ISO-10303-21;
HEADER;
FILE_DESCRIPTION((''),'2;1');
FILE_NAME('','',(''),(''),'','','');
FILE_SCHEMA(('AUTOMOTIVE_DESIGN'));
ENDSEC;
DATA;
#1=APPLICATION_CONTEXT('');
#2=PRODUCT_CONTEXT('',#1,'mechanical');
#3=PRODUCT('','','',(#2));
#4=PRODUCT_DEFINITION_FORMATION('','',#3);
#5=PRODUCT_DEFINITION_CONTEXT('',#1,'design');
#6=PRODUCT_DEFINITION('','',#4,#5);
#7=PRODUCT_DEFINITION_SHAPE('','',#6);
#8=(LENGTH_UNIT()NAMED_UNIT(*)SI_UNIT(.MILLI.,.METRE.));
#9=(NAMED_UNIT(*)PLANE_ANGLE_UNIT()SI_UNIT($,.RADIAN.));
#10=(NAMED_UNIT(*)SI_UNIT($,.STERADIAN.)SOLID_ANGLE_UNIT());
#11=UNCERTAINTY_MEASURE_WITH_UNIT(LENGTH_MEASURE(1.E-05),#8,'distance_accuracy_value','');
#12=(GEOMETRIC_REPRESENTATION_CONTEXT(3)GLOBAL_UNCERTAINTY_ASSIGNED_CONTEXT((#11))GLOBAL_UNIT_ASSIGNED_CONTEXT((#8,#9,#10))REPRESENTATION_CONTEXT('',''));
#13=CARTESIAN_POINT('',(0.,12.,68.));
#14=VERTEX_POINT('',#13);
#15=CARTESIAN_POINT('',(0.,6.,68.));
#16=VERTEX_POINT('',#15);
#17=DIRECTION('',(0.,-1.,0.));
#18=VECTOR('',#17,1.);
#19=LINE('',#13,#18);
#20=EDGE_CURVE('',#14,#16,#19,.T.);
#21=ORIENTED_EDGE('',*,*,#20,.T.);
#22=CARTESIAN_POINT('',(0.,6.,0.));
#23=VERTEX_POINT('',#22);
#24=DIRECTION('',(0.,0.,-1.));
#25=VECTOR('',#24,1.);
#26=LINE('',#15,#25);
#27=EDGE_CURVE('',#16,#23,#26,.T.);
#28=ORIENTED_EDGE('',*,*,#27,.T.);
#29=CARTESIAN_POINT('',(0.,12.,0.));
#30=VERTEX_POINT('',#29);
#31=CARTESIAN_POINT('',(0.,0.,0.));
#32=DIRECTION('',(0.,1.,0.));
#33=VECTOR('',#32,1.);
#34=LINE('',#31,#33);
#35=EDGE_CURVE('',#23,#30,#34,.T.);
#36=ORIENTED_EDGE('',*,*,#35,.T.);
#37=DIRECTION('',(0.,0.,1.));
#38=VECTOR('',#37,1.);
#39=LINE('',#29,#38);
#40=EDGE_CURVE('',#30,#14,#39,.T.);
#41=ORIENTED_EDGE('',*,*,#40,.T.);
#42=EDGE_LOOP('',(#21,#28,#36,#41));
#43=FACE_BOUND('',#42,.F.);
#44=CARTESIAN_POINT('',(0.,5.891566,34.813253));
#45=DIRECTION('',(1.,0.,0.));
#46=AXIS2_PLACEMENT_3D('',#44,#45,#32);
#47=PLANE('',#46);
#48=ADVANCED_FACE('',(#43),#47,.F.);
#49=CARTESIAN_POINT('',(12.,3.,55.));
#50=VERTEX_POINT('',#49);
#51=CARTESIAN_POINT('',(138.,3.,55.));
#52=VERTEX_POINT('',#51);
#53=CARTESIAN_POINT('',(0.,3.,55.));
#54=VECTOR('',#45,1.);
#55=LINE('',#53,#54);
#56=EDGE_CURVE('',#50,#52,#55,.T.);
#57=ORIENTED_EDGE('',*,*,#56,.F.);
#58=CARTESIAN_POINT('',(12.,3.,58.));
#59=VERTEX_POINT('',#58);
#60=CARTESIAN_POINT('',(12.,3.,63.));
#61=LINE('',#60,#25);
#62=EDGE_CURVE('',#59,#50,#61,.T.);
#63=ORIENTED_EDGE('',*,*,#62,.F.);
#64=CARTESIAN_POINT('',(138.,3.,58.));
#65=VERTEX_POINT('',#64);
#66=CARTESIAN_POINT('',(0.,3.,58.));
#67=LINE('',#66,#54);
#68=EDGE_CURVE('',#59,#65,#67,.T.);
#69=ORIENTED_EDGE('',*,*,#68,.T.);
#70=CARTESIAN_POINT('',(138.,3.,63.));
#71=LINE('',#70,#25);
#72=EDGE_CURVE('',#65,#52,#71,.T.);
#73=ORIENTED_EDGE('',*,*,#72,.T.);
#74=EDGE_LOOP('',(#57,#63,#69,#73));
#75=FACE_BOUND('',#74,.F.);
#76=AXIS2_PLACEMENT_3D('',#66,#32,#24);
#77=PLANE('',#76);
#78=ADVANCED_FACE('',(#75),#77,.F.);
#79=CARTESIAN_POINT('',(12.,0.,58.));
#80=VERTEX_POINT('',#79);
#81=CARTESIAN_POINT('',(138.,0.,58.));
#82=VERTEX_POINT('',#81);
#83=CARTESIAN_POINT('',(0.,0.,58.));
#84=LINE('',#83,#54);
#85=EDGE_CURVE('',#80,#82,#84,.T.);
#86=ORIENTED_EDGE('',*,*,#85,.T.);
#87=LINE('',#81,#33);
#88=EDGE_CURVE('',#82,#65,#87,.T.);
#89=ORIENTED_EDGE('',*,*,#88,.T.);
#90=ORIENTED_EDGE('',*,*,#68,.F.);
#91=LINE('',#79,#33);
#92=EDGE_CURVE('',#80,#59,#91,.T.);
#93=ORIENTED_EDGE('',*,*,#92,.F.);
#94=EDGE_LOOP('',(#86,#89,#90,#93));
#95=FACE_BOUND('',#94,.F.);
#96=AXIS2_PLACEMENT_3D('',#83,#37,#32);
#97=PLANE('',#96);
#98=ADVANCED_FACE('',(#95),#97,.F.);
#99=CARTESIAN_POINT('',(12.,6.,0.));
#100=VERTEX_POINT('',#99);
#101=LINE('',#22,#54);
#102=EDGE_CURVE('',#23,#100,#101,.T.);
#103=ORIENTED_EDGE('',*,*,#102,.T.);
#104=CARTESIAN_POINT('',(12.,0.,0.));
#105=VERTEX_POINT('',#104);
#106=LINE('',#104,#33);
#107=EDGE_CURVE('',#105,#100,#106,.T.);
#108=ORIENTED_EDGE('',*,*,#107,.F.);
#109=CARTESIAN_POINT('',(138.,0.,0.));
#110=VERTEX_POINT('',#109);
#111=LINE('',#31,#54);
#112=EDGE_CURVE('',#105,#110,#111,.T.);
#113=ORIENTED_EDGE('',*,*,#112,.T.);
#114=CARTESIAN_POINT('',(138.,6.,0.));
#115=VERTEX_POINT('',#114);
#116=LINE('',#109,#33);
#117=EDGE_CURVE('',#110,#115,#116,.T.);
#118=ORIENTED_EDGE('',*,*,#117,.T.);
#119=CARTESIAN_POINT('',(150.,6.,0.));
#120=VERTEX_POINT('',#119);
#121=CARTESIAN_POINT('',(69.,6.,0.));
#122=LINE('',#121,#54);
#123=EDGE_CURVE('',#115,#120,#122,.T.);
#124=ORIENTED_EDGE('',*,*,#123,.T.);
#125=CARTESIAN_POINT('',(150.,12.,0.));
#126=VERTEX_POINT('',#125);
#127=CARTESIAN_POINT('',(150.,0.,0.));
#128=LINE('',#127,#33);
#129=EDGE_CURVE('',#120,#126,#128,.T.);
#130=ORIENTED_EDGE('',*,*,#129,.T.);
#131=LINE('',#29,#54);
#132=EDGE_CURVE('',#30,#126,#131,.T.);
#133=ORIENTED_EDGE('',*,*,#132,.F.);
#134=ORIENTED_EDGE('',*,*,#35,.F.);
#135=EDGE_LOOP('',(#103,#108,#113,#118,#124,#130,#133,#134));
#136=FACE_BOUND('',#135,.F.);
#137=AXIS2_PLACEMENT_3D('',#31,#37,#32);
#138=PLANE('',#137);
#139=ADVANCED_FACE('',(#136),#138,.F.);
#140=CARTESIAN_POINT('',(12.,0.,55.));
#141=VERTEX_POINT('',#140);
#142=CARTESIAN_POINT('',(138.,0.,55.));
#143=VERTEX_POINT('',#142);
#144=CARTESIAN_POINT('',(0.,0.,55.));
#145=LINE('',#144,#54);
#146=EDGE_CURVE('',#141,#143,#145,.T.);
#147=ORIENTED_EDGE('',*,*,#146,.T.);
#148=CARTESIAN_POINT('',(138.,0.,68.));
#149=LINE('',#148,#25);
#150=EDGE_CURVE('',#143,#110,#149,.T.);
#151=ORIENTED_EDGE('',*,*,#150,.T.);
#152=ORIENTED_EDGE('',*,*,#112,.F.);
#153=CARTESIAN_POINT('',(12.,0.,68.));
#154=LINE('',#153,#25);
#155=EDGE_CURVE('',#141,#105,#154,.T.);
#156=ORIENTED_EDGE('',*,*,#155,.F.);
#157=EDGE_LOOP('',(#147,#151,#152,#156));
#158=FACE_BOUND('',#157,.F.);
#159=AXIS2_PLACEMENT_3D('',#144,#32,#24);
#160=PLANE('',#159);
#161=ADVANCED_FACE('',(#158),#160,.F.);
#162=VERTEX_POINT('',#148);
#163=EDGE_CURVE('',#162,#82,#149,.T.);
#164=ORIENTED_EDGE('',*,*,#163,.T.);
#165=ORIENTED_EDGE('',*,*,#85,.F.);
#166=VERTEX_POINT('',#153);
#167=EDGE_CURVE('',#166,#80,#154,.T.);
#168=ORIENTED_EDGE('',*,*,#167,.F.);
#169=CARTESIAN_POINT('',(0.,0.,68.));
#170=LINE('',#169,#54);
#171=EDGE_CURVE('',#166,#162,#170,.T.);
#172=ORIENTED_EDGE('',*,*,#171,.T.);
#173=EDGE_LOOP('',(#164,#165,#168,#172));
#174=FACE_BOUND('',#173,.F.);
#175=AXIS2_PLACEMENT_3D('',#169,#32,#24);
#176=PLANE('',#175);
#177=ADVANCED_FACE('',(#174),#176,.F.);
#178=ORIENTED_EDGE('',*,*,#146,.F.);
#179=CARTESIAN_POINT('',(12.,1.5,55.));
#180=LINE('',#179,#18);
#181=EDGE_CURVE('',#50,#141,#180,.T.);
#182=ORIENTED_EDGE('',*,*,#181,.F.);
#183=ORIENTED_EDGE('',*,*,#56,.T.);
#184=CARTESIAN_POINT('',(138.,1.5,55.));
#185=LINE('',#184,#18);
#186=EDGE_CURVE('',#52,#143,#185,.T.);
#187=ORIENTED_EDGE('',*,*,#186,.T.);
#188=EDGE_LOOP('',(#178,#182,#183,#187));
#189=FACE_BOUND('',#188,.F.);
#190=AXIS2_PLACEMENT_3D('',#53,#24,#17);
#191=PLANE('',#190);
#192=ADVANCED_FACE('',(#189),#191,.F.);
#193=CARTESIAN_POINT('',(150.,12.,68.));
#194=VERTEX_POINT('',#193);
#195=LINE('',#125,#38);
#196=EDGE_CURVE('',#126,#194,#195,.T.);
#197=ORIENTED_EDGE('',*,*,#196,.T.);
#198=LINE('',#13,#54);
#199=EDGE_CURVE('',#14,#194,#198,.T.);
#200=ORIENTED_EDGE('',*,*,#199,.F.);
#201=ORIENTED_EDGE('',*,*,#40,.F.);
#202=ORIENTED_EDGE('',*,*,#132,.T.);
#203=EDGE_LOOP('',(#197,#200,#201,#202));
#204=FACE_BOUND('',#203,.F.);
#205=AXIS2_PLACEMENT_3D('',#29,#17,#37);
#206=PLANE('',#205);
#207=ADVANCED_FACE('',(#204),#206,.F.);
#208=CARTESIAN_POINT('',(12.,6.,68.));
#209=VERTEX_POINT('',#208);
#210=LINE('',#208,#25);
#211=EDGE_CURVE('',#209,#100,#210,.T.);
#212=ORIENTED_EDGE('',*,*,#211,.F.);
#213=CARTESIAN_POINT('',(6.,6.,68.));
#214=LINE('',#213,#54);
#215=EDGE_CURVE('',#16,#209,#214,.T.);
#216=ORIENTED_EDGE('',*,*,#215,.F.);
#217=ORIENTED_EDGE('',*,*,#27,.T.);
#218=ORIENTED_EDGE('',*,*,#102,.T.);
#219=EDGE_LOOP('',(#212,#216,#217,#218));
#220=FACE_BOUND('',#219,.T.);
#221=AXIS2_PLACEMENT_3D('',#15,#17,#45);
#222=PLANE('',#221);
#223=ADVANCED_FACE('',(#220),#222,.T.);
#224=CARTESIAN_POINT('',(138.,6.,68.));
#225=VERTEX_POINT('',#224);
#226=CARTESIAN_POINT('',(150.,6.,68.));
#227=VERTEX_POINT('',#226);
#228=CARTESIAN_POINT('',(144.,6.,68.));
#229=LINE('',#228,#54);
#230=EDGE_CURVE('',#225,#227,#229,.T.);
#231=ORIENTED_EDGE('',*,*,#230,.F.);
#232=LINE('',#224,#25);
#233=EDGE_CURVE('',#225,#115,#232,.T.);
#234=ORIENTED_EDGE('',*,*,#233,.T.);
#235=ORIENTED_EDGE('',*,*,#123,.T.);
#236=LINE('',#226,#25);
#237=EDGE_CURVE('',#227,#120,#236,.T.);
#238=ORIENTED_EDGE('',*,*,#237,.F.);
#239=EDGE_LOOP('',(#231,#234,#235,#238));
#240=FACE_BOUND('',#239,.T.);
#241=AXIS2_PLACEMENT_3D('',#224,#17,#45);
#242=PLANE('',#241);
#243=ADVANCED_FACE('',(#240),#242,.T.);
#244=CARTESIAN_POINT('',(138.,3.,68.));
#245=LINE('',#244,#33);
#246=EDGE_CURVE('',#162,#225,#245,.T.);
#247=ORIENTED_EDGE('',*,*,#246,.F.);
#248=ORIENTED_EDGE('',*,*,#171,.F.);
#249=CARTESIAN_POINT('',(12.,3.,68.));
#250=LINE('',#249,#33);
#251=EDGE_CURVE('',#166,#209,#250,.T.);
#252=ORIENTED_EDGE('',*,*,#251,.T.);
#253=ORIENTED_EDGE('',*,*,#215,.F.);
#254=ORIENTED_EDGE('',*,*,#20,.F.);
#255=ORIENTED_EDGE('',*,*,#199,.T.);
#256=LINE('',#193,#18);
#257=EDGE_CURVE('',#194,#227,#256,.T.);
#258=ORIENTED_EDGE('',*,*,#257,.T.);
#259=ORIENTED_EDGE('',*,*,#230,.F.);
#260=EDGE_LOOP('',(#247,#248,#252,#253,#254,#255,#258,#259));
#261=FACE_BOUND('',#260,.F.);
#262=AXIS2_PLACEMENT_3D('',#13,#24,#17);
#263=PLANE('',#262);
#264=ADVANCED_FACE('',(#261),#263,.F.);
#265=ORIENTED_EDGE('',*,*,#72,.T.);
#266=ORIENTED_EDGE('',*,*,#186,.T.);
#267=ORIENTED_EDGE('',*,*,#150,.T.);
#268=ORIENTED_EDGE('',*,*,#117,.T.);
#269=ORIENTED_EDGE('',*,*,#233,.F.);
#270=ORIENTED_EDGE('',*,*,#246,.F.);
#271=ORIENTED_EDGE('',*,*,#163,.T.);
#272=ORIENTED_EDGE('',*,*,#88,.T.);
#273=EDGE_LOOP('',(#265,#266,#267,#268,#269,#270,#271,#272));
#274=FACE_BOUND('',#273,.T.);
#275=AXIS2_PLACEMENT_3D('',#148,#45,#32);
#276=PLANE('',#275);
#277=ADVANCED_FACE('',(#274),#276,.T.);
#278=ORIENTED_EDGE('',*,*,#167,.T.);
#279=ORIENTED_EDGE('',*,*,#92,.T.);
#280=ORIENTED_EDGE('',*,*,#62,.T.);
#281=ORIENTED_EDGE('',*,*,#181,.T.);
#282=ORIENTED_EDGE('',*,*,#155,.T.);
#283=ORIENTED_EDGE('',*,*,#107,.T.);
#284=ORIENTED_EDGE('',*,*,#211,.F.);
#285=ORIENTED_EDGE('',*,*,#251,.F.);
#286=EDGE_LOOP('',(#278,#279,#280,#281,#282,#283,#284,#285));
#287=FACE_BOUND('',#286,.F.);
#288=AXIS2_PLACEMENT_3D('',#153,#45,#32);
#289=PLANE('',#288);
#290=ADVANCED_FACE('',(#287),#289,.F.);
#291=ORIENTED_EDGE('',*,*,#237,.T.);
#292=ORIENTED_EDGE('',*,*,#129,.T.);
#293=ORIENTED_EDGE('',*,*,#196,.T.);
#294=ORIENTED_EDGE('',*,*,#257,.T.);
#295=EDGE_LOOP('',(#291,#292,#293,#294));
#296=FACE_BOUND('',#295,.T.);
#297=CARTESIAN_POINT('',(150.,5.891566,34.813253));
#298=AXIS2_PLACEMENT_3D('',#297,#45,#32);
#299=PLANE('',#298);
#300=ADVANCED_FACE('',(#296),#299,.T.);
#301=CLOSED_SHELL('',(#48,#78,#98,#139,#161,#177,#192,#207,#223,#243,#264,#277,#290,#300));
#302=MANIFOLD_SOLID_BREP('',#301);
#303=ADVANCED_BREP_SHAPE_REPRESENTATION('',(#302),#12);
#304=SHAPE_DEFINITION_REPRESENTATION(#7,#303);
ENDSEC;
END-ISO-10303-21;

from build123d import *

# Parameters (mm, degrees)
F1_DEPTH = 150
F2_W     = 12
F2_H     = 6
F3_DEPTH = 108.3


with BuildPart() as f1:
    # F0 (on Right) → F1 (new body)
    with BuildSketch(Plane.YZ):
        Polygon((0, 55), (0, 0), (12, 0), (12, 68), (0, 68), (0, 58), (3, 58), (3, 55), align=None)
    extrude(amount=F1_DEPTH)

    # F2 (on face) → F3 (cut)
    with BuildSketch(Plane.XY.offset(68)):
        with Locations((6, 3)):
            Rectangle(F2_W, F2_H)
        with Locations((144, 3)):
            Rectangle(F2_W, F2_H)
    extrude(amount=-F3_DEPTH, mode=Mode.SUBTRACT)


solid = f1.part
